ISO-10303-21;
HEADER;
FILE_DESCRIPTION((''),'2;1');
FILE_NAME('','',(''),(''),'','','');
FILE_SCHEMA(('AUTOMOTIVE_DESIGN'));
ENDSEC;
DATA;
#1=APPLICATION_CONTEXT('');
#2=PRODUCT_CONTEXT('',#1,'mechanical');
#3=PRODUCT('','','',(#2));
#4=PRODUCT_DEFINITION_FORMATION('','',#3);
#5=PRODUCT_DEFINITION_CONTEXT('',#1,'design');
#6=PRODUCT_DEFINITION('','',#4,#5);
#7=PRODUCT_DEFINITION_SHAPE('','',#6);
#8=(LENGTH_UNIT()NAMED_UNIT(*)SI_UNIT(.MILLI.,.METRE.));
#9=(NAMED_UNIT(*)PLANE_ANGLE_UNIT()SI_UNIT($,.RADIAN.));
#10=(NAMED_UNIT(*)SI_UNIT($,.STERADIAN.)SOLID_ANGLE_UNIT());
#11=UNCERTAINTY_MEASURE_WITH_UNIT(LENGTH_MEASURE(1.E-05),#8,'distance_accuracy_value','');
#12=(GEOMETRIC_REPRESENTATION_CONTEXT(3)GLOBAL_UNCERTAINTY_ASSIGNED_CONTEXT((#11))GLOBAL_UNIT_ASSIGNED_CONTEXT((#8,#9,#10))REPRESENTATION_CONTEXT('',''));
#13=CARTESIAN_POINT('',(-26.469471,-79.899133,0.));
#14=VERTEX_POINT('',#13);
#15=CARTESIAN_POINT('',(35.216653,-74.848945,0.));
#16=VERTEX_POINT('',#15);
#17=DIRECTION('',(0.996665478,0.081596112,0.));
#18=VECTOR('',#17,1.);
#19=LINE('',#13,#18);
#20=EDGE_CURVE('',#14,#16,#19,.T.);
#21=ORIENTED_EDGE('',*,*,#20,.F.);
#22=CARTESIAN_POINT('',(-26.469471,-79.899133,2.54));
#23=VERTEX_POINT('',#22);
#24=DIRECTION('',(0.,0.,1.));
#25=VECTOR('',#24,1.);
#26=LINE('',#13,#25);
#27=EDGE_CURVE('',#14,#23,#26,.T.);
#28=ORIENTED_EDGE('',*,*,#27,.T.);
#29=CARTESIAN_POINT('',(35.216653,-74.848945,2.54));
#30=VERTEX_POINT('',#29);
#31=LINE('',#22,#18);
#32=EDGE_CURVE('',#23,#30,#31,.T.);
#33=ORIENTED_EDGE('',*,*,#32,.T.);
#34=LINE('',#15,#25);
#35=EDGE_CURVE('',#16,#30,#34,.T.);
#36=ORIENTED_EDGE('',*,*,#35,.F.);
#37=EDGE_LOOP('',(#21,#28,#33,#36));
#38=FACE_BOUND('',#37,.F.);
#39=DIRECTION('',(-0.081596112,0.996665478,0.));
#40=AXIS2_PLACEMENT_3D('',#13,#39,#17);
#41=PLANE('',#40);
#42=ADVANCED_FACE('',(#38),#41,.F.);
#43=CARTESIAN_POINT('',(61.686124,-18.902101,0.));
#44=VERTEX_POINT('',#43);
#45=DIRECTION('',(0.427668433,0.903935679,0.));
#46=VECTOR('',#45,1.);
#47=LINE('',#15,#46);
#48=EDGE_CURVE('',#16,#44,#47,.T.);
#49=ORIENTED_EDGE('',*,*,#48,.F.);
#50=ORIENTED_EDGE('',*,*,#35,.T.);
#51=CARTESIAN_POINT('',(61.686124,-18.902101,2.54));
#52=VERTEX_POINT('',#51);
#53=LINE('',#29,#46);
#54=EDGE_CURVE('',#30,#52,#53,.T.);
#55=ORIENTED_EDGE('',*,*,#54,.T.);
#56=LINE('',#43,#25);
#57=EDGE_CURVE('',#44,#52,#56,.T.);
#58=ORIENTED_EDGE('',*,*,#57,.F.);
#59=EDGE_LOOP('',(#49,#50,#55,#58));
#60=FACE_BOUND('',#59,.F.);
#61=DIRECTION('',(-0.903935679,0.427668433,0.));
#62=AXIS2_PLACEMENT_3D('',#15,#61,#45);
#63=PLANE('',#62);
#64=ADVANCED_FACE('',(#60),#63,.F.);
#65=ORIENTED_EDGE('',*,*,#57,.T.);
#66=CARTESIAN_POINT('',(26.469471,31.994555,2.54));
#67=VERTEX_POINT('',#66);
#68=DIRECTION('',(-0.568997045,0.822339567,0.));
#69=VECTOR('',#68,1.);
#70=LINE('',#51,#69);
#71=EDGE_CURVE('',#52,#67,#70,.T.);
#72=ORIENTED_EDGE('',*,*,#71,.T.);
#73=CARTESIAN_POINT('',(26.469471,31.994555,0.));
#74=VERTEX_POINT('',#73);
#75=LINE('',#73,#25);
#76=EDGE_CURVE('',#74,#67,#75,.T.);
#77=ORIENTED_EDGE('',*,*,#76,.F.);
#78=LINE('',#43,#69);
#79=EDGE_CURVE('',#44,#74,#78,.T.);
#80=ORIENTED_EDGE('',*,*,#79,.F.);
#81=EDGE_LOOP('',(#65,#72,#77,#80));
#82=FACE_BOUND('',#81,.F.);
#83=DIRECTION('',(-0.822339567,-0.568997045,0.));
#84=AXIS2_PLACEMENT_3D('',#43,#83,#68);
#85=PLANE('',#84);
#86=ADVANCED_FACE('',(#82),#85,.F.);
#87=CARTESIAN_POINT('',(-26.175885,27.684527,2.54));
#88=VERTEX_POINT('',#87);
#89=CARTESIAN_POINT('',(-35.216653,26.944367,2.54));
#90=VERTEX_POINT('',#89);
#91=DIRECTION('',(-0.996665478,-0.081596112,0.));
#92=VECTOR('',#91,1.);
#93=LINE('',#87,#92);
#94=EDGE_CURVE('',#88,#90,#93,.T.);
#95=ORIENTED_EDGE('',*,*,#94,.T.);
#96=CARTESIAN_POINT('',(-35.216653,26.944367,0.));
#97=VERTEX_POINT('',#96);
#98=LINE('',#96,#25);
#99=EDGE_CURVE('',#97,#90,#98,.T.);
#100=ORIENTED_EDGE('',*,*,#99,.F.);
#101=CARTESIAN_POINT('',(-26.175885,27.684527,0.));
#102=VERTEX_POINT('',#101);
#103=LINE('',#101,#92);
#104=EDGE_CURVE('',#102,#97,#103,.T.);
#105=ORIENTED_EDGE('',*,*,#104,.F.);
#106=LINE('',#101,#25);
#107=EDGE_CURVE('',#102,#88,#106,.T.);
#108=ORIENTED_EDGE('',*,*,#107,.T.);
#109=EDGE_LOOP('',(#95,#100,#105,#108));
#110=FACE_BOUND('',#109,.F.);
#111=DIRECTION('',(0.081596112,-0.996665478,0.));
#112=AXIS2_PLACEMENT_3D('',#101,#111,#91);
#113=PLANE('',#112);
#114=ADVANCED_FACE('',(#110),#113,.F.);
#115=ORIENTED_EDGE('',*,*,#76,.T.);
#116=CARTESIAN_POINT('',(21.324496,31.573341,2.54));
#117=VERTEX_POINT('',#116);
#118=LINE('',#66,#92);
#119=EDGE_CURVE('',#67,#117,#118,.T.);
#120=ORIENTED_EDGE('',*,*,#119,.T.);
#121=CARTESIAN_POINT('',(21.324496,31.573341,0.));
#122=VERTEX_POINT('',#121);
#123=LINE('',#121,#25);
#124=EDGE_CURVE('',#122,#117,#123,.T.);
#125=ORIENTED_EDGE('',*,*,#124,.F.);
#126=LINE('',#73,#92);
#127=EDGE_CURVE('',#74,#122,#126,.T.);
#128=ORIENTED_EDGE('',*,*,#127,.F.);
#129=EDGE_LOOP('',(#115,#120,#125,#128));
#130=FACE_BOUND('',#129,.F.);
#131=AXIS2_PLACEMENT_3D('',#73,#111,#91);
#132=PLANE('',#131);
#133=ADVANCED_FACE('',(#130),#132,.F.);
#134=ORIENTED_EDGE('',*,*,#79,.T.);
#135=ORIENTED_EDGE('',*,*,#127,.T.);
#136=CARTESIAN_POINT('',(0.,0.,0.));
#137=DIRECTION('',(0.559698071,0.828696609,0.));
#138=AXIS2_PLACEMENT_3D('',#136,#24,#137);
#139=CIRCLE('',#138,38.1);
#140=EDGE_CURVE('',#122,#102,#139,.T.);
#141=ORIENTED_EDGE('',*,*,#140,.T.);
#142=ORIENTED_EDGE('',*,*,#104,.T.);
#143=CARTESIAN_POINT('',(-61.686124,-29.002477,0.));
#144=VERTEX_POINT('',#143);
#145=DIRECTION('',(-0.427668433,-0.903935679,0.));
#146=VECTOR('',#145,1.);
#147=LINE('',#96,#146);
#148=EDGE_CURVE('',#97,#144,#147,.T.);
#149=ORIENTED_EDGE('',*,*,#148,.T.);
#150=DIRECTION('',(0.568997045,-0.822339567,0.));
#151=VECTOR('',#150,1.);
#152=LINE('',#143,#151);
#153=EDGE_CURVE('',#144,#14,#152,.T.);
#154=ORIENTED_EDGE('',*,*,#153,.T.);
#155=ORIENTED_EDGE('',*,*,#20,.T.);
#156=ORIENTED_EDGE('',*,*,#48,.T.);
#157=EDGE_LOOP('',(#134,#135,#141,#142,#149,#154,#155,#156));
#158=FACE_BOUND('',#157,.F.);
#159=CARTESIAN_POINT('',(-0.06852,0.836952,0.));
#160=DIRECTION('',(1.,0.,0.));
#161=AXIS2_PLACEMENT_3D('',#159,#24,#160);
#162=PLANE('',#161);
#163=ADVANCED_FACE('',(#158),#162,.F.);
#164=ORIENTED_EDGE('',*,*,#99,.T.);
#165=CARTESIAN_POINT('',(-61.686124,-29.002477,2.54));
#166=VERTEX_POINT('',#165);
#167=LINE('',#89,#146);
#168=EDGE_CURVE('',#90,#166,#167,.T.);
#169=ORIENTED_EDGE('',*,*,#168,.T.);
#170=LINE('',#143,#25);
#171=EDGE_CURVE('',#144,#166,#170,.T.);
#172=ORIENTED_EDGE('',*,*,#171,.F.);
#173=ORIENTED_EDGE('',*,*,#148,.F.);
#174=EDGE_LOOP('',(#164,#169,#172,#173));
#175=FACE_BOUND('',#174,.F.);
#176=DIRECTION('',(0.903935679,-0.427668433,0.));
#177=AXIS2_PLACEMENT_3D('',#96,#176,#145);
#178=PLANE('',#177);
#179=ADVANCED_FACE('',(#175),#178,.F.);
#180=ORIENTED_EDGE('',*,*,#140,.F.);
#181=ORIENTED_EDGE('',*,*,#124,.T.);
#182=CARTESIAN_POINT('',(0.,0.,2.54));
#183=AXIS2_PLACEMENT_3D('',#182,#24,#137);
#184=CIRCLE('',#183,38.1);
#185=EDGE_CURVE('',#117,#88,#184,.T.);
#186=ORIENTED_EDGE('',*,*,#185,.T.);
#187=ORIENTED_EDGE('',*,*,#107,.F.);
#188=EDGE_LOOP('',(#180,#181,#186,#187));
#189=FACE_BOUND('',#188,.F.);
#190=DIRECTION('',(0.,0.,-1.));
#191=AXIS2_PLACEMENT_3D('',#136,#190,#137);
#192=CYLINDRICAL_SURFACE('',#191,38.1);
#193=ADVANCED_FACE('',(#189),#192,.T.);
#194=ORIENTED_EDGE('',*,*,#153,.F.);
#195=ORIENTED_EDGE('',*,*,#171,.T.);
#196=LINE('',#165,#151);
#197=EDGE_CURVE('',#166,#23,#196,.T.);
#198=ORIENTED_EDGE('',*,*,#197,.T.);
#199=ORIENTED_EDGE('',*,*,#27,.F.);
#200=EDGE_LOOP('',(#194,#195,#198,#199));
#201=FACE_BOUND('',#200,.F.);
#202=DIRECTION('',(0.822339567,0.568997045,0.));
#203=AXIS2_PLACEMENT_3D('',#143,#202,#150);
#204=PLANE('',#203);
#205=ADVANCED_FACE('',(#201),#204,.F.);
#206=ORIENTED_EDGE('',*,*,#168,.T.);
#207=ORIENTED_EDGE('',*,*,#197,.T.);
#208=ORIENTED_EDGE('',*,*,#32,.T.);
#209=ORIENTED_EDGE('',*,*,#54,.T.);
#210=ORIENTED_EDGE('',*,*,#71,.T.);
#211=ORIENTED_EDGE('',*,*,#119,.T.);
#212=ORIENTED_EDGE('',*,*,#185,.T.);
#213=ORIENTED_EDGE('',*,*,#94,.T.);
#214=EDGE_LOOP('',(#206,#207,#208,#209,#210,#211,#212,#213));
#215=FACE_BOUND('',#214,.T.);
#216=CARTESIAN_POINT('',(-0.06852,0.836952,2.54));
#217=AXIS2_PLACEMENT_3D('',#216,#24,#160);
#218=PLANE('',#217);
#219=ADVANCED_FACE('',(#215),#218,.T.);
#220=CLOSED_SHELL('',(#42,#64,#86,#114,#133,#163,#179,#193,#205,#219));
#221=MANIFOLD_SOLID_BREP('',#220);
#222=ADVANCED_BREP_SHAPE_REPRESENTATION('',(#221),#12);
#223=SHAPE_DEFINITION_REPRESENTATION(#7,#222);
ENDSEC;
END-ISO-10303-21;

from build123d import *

# Parameters (mm, degrees)
F1_DEPTH = 2.54


with BuildPart() as f1:
    # F0 (on Top) → F1 (new body)
    with BuildSketch(Plane.XY):
        with BuildLine():
            ThreePointArc((-26.1758851748, 27.6845270018), (-15.0716418289, -34.9922221727), (38.1, 0))
            ThreePointArc((38.1, 0), (33.6457524536, 17.8766143839), (21.3244964919, 31.5733408015))
            Line((21.3244964919, 31.5733408015), (-26.1758851748, 27.6845270018))
        make_face()
        with BuildLine():
            ThreePointArc((21.3244964919, 31.5733408015), (33.6457524536, 17.8766143839), (38.1, 0))
            ThreePointArc((38.1, 0), (-15.0716418289, -34.9922221727), (-26.1758851748, 27.6845270018))
            Line((-26.1758851748, 27.6845270018), (-35.2166528413, 26.944367432))
            Line((-35.2166528413, 26.944367432), (-61.6861237744, -29.0024767323))
            Line((-61.6861237744, -29.0024767323), (-26.4694709331, -79.8991330672))
            Line((-26.4694709331, -79.8991330672), (35.2166528413, -74.8489452379))
            Line((35.2166528413, -74.8489452379), (61.6861237744, -18.9021010736))
            Line((61.6861237744, -18.9021010736), (26.4694709331, 31.9945552613))
            Line((26.4694709331, 31.9945552613), (21.3244964919, 31.5733408015))
        make_face()
        with BuildLine():
            Line((-26.1758851748, 27.6845270018), (21.3244964919, 31.5733408015))
            ThreePointArc((21.3244964919, 31.5733408015), (-3.108811868, 37.9729547016), (-26.1758851748, 27.6845270018))
        make_face()
    extrude(amount=F1_DEPTH)


solid = f1.part
